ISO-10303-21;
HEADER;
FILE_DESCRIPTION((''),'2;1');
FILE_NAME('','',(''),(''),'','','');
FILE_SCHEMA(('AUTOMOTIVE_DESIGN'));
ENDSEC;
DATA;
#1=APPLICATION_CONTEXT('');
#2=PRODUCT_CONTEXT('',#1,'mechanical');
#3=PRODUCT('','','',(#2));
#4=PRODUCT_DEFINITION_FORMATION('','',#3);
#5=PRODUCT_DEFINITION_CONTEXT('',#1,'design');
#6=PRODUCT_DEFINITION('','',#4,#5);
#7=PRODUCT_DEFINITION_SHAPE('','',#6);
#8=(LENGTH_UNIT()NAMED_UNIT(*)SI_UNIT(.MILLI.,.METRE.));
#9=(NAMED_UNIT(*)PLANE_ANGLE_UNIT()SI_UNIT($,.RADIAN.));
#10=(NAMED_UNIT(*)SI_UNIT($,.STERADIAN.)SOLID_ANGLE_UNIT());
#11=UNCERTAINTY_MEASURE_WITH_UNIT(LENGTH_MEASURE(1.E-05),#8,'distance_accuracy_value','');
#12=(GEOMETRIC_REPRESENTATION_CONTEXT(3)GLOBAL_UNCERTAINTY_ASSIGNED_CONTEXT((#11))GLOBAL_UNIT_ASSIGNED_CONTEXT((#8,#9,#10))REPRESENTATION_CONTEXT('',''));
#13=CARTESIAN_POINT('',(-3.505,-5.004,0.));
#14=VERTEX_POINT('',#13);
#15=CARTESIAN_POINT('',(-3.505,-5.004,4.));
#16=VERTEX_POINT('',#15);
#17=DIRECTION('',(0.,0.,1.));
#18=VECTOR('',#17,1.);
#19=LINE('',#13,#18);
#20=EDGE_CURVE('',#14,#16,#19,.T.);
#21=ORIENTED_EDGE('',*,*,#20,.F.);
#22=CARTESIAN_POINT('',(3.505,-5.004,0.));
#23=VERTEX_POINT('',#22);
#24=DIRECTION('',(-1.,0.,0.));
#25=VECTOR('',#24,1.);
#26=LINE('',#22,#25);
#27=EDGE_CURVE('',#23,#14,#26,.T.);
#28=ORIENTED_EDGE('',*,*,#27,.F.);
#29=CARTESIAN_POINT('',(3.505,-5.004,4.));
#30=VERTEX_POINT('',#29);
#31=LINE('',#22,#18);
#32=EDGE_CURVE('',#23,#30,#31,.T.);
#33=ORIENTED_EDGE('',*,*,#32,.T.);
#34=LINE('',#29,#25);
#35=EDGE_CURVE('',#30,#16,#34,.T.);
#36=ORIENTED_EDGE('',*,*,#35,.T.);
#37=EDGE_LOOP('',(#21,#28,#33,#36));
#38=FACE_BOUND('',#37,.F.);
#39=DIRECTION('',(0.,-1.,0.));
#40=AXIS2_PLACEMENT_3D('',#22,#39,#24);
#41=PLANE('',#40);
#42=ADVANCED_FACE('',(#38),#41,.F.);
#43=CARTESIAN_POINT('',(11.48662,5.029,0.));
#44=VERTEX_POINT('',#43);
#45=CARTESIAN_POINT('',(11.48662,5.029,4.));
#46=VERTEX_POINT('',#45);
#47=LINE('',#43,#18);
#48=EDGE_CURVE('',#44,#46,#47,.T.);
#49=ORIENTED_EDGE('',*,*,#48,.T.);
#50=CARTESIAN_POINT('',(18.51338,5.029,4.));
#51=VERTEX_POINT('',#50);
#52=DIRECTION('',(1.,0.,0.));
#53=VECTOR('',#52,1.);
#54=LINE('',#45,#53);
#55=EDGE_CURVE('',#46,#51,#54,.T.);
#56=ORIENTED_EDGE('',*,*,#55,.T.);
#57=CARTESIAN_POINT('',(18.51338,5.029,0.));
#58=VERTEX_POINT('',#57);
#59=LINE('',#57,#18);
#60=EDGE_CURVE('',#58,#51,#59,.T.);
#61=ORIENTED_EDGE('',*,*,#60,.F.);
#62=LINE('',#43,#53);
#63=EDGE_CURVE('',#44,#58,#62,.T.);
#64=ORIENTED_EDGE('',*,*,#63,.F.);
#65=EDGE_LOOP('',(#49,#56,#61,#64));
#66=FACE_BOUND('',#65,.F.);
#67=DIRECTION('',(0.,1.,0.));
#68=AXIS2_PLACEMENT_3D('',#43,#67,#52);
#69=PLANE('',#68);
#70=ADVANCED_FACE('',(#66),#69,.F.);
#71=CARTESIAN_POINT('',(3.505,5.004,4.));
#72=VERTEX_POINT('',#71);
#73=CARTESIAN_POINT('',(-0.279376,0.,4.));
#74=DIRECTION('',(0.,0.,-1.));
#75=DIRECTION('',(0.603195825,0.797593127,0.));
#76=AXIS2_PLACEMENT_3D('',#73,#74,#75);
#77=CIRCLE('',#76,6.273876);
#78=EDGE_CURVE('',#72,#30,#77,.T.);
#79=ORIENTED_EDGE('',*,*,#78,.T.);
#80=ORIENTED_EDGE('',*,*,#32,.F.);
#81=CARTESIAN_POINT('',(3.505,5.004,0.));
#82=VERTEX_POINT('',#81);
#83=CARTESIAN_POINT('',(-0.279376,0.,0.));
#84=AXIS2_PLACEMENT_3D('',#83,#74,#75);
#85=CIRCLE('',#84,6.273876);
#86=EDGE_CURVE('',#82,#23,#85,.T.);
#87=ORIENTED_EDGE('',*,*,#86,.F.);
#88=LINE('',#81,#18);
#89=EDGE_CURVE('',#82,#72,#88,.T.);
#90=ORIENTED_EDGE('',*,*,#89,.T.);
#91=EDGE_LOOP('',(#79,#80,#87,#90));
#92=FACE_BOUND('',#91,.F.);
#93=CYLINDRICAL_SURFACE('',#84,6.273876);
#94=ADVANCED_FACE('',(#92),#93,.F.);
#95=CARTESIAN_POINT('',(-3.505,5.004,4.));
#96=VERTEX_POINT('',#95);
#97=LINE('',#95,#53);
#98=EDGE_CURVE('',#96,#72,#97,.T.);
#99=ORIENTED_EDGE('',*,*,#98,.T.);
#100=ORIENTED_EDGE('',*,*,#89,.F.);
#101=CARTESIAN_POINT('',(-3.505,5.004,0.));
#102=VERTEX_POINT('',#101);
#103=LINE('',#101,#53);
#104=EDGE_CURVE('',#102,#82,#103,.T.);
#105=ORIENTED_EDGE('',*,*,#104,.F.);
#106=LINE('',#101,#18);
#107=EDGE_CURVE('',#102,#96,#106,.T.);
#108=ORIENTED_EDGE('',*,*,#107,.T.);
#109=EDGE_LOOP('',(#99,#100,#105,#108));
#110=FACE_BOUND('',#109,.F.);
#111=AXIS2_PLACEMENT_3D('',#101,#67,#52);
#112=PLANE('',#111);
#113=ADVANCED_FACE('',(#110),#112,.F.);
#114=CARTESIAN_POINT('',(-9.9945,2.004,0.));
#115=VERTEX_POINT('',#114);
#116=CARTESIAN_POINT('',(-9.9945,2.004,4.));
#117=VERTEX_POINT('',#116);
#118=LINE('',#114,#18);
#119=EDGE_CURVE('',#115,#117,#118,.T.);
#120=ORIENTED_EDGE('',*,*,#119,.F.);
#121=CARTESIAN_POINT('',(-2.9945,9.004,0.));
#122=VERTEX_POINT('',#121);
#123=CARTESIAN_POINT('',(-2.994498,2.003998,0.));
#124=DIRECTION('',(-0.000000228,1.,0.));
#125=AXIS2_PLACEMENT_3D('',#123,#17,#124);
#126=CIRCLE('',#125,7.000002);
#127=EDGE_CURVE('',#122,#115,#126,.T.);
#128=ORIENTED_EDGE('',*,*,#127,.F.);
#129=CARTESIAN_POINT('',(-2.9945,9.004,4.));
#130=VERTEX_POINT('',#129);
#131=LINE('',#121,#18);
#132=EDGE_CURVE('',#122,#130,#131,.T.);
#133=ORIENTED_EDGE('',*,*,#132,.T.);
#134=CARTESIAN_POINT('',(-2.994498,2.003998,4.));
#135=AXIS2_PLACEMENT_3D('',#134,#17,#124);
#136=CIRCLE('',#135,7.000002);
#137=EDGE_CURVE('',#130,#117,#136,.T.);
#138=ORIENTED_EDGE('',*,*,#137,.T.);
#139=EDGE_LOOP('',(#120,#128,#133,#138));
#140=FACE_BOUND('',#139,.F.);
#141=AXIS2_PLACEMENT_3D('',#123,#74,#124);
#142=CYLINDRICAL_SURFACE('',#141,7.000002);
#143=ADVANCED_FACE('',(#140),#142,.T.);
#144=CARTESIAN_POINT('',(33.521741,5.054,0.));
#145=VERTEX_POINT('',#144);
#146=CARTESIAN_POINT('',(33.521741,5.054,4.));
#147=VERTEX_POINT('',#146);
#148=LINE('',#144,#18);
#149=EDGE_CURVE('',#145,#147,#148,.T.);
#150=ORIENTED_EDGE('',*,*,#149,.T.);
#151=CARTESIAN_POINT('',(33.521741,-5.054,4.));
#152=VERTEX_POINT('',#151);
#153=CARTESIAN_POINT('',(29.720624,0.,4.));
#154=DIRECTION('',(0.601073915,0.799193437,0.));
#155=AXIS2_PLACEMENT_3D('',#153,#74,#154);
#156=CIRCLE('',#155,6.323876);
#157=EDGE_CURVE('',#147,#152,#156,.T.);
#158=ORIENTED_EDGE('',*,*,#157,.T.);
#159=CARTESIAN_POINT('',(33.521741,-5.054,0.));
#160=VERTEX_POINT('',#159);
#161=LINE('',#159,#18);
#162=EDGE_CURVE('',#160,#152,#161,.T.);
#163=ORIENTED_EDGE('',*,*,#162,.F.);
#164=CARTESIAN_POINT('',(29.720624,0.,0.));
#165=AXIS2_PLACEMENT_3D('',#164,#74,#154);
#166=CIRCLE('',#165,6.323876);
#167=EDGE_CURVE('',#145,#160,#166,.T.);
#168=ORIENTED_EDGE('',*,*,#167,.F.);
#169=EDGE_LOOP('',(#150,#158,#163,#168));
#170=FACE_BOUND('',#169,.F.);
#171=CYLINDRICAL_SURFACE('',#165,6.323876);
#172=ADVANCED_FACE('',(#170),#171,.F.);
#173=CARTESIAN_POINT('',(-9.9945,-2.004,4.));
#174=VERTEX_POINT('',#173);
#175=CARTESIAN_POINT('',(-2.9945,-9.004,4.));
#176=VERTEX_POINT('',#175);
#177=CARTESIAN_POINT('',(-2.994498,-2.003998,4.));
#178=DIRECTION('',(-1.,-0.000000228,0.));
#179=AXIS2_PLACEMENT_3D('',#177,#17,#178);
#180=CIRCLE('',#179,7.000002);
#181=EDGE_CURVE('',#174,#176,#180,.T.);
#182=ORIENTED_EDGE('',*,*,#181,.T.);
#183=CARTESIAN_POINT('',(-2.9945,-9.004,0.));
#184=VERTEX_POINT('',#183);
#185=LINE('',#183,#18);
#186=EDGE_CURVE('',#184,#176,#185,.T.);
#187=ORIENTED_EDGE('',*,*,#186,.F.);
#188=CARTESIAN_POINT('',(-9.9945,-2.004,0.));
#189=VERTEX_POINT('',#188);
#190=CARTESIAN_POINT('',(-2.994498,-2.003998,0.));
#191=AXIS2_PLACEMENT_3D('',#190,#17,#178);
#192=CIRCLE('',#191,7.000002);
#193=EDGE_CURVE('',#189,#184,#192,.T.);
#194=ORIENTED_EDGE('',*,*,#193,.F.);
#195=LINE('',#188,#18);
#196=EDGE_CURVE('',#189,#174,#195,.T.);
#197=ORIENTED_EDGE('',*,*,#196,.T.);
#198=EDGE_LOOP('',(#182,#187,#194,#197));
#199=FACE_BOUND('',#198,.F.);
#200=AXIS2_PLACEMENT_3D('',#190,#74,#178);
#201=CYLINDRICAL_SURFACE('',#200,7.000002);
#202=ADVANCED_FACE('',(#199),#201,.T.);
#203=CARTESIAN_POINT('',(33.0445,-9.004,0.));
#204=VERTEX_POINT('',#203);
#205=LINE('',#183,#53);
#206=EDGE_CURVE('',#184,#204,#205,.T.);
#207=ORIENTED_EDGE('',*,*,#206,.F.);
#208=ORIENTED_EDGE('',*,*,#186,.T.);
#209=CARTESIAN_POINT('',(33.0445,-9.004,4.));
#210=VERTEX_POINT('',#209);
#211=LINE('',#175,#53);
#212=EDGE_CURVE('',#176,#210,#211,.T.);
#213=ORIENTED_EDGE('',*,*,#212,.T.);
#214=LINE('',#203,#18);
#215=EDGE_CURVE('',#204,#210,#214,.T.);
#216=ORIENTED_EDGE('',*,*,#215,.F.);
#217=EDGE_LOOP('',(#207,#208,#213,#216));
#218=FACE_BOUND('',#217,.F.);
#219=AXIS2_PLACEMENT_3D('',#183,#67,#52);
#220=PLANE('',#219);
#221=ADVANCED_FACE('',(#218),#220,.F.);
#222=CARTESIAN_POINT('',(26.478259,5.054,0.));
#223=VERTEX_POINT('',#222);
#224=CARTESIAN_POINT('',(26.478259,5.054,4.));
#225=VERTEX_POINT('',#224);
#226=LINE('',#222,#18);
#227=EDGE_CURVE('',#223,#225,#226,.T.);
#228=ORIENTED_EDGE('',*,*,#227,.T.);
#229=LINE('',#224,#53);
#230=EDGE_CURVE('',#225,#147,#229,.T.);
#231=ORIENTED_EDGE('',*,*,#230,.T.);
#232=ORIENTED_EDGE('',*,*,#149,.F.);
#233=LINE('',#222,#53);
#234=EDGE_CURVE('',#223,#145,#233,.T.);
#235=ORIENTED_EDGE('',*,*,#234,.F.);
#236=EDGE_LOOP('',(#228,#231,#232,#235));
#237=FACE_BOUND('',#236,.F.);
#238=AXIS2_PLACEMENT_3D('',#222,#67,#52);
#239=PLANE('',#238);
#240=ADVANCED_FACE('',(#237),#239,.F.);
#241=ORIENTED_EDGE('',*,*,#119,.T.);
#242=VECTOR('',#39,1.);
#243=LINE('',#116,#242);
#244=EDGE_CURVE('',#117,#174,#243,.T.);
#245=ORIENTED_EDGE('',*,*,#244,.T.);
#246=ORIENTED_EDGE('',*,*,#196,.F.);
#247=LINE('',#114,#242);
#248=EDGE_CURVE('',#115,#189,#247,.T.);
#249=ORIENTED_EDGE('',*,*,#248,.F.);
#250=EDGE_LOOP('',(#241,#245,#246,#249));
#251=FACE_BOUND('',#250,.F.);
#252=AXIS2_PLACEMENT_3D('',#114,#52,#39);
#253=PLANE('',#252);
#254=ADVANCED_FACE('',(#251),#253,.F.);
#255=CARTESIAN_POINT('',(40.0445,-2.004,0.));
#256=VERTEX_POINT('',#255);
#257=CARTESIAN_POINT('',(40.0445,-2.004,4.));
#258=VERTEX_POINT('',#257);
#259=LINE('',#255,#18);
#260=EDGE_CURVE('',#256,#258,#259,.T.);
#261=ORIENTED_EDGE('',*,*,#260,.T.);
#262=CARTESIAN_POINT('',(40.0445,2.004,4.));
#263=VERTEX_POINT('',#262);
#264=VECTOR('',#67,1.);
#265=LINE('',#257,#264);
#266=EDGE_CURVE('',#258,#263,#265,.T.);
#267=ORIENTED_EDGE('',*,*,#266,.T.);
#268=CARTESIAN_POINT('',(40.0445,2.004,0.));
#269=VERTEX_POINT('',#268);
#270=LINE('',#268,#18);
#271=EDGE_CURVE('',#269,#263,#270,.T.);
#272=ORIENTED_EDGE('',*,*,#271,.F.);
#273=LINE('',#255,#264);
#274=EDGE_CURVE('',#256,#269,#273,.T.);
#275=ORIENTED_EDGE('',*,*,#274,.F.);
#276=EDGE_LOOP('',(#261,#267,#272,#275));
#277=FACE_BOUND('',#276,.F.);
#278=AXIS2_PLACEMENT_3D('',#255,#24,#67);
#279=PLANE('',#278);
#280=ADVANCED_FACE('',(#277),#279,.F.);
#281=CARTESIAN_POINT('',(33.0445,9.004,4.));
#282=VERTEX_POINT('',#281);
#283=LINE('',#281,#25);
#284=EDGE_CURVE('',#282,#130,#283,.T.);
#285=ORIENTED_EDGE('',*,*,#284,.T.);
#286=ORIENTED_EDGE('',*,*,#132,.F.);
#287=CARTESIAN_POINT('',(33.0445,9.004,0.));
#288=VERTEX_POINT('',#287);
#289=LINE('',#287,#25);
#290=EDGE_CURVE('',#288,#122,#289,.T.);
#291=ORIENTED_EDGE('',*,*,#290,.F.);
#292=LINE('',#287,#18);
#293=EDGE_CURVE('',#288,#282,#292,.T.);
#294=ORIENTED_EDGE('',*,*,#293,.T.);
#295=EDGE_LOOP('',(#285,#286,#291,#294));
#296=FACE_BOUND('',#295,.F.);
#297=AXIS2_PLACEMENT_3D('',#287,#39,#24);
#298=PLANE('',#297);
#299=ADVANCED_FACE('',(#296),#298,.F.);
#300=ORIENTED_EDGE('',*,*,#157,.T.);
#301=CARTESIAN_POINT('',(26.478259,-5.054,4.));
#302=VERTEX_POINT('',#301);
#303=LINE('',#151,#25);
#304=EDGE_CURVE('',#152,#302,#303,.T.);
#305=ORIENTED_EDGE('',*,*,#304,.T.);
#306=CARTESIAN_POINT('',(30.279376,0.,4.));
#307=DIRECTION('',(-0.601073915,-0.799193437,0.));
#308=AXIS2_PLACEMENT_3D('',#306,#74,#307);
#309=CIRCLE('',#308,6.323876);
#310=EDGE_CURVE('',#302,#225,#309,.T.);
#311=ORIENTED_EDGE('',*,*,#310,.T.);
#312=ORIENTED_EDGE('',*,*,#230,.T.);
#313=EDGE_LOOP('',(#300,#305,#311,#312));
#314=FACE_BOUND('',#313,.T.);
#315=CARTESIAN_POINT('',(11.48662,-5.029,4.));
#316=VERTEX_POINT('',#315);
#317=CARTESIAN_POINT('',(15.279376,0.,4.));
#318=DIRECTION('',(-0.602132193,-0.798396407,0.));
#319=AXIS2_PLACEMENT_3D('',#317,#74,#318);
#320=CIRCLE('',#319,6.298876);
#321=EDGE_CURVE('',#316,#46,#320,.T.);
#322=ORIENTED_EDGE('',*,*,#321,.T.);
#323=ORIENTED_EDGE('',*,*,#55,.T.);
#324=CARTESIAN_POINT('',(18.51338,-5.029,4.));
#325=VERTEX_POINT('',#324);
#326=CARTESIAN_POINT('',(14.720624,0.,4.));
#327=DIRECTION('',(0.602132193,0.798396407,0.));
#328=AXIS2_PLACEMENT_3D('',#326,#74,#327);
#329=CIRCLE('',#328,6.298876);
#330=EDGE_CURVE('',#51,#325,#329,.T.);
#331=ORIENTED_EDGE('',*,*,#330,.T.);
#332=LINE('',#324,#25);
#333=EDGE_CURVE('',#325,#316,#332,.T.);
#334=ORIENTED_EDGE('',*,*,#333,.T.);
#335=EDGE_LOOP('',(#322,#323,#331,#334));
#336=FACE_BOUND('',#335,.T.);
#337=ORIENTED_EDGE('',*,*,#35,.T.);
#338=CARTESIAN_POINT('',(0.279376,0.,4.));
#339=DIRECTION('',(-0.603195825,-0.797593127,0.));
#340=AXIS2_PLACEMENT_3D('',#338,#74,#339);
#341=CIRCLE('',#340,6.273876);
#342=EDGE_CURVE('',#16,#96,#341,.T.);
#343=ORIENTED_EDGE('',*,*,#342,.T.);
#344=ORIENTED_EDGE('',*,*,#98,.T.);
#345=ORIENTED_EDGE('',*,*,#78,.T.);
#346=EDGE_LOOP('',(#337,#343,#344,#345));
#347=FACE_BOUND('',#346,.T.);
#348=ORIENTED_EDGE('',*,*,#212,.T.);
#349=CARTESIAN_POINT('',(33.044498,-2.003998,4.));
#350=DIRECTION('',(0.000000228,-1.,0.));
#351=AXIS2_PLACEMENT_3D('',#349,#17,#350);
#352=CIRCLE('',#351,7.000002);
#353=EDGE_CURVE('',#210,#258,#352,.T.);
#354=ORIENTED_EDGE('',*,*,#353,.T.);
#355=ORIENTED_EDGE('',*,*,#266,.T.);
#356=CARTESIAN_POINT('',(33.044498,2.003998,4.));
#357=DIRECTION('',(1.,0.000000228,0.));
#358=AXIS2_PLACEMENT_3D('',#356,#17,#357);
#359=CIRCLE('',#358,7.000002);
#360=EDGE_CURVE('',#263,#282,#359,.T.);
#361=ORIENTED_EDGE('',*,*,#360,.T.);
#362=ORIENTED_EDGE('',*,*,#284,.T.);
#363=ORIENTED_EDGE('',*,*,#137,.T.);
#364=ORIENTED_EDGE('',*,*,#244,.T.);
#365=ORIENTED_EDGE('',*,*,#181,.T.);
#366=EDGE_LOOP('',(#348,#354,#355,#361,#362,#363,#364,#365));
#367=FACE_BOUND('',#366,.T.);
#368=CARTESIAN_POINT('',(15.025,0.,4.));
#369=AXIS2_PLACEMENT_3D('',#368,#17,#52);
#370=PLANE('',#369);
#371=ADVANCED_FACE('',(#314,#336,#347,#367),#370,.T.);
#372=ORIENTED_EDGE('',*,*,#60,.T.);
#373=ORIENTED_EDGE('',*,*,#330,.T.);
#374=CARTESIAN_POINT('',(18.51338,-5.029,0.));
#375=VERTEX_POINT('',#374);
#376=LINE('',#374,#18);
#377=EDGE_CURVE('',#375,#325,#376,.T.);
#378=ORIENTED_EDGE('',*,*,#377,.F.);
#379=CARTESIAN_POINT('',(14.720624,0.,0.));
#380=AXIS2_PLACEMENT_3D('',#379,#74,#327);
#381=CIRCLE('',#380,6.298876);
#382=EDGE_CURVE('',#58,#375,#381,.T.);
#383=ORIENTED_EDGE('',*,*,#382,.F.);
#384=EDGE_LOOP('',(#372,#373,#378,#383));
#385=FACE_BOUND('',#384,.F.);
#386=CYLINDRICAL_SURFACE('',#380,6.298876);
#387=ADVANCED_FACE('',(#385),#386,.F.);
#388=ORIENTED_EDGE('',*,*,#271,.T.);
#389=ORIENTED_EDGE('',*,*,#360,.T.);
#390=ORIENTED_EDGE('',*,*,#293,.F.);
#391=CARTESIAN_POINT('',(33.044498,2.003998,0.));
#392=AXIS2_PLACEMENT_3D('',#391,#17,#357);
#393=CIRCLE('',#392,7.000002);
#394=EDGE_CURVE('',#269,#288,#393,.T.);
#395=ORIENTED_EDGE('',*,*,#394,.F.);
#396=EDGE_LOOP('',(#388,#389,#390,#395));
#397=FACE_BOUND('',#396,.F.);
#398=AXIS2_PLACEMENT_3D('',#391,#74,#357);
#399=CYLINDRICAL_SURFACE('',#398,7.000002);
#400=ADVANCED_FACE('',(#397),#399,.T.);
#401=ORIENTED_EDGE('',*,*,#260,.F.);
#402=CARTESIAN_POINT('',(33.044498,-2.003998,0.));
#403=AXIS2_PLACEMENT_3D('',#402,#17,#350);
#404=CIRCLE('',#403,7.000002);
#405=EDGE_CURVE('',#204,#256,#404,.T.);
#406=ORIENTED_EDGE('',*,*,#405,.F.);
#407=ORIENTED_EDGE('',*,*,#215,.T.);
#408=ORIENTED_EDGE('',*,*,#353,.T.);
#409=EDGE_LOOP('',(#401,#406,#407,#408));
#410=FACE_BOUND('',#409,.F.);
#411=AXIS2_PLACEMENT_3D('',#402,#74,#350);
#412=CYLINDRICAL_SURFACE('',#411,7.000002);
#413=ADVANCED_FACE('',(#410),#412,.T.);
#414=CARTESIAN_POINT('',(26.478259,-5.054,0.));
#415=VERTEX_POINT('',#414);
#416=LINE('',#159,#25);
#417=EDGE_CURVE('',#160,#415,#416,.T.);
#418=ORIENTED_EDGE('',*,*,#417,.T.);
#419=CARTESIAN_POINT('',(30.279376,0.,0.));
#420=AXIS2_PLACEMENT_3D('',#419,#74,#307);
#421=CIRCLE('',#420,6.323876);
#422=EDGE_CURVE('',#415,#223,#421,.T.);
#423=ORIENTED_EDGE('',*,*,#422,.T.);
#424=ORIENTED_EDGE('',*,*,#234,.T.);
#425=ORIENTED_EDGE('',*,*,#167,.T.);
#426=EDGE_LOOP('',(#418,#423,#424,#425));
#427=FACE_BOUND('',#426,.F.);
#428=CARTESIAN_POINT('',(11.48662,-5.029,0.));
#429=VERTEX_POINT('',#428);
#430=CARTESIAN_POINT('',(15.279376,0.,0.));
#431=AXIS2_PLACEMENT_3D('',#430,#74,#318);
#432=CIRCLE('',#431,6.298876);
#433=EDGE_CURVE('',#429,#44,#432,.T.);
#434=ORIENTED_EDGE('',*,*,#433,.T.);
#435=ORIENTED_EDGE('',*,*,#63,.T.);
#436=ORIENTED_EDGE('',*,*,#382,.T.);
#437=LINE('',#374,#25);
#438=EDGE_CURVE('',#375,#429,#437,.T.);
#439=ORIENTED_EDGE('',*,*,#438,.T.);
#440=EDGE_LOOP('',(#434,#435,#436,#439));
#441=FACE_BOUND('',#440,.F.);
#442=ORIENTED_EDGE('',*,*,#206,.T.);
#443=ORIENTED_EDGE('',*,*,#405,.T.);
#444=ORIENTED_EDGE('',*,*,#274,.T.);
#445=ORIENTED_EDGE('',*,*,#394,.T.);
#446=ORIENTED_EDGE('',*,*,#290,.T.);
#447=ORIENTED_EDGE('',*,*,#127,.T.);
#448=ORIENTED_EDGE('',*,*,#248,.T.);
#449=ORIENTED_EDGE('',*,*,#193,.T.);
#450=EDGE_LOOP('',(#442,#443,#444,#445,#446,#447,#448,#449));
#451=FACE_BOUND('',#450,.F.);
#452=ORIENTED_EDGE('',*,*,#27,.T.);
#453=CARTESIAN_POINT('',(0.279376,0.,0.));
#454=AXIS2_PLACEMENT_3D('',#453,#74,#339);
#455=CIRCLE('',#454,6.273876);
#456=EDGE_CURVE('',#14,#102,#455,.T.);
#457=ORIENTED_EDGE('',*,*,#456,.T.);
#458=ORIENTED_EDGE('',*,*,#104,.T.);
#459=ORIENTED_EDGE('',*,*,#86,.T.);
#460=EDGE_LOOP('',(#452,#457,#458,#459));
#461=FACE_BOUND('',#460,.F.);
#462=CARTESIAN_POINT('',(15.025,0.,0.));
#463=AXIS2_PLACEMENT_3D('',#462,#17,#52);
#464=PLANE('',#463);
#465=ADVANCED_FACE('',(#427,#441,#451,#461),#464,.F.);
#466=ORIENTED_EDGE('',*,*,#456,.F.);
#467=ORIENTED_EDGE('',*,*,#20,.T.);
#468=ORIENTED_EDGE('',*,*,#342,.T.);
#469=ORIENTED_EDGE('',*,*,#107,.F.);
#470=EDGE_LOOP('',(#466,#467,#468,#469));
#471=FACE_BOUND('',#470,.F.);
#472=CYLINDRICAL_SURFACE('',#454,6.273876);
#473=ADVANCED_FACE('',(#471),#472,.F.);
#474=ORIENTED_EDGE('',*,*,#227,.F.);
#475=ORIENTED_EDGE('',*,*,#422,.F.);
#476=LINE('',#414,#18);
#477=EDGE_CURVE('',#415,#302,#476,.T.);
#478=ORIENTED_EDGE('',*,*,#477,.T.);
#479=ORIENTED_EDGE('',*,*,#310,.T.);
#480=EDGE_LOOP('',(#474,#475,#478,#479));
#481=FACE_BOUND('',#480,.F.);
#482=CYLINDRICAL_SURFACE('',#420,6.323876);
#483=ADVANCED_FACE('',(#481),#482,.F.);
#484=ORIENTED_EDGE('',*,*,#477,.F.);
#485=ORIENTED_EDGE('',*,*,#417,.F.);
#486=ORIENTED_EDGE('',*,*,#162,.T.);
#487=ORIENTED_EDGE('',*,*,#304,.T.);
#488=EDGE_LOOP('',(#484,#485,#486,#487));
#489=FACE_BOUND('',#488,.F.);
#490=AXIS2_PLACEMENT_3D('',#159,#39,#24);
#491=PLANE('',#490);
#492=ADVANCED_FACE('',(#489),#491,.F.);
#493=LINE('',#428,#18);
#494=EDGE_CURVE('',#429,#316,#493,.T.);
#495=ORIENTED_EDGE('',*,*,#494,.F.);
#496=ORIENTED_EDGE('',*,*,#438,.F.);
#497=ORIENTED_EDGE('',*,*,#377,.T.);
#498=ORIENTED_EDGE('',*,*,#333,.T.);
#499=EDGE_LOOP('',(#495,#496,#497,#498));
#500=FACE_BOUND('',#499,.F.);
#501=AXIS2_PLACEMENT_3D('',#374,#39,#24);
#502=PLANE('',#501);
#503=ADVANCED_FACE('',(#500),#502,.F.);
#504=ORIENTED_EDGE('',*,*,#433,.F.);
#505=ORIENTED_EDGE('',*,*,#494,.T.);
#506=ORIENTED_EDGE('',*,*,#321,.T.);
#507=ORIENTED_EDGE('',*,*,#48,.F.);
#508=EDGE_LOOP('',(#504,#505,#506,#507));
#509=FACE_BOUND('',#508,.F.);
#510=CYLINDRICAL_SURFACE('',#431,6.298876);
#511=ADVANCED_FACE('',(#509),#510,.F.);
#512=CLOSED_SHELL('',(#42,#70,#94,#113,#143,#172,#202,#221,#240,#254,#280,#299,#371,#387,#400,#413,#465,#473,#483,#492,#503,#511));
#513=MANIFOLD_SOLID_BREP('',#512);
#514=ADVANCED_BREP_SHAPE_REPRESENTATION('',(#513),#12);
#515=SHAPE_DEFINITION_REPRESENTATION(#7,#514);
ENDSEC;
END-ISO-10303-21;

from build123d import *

# Parameters (mm, degrees)
F2_DEPTH = 4


with BuildPart() as f2:
    # F1 (on Top) → F2 (new body)
    with BuildSketch(Plane.XY):
        with BuildLine():
            Line((33.0445, 9.004), (-2.9945, 9.004))
            ThreePointArc((-2.9945, 9.004), (-7.944247, 6.953747), (-9.9945, 2.004))
            Line((-9.9945, 2.004), (-9.9945, -2.004))
            ThreePointArc((-9.9945, -2.004), (-7.944247, -6.953747), (-2.9945, -9.004))
            Line((-2.9945, -9.004), (33.0445, -9.004))
            ThreePointArc((33.0445, -9.004), (37.994247, -6.953747), (40.0445, -2.004))
            Line((40.0445, -2.004), (40.0445, 2.004))
            ThreePointArc((40.0445, 2.004), (37.994247, 6.953747), (33.0445, 9.004))
        make_face()
        with BuildLine():
            ThreePointArc((-3.505, -5.004), (-5.9945, 0), (-3.505, 5.004))
            Line((-3.505, 5.004), (3.505, 5.004))
            ThreePointArc((3.505, 5.004), (5.9945, 0), (3.505, -5.004))
            Line((3.505, -5.004), (-3.505, -5.004))
        make_face(mode=Mode.SUBTRACT)
        with BuildLine():
            ThreePointArc((11.48662, -5.029), (8.9805, 0), (11.48662, 5.029))
            Line((11.48662, 5.029), (18.51338, 5.029))
            ThreePointArc((18.51338, 5.029), (21.0195, 0), (18.51338, -5.029))
            Line((18.51338, -5.029), (11.48662, -5.029))
        make_face(mode=Mode.SUBTRACT)
        with BuildLine():
            ThreePointArc((26.478259, -5.054), (23.9555, 0), (26.478259, 5.054))
            Line((26.478259, 5.054), (33.521741, 5.054))
            ThreePointArc((33.521741, 5.054), (36.0445, 0), (33.521741, -5.054))
            Line((33.521741, -5.054), (26.478259, -5.054))
        make_face(mode=Mode.SUBTRACT)
    extrude(amount=F2_DEPTH)


solid = f2.part
